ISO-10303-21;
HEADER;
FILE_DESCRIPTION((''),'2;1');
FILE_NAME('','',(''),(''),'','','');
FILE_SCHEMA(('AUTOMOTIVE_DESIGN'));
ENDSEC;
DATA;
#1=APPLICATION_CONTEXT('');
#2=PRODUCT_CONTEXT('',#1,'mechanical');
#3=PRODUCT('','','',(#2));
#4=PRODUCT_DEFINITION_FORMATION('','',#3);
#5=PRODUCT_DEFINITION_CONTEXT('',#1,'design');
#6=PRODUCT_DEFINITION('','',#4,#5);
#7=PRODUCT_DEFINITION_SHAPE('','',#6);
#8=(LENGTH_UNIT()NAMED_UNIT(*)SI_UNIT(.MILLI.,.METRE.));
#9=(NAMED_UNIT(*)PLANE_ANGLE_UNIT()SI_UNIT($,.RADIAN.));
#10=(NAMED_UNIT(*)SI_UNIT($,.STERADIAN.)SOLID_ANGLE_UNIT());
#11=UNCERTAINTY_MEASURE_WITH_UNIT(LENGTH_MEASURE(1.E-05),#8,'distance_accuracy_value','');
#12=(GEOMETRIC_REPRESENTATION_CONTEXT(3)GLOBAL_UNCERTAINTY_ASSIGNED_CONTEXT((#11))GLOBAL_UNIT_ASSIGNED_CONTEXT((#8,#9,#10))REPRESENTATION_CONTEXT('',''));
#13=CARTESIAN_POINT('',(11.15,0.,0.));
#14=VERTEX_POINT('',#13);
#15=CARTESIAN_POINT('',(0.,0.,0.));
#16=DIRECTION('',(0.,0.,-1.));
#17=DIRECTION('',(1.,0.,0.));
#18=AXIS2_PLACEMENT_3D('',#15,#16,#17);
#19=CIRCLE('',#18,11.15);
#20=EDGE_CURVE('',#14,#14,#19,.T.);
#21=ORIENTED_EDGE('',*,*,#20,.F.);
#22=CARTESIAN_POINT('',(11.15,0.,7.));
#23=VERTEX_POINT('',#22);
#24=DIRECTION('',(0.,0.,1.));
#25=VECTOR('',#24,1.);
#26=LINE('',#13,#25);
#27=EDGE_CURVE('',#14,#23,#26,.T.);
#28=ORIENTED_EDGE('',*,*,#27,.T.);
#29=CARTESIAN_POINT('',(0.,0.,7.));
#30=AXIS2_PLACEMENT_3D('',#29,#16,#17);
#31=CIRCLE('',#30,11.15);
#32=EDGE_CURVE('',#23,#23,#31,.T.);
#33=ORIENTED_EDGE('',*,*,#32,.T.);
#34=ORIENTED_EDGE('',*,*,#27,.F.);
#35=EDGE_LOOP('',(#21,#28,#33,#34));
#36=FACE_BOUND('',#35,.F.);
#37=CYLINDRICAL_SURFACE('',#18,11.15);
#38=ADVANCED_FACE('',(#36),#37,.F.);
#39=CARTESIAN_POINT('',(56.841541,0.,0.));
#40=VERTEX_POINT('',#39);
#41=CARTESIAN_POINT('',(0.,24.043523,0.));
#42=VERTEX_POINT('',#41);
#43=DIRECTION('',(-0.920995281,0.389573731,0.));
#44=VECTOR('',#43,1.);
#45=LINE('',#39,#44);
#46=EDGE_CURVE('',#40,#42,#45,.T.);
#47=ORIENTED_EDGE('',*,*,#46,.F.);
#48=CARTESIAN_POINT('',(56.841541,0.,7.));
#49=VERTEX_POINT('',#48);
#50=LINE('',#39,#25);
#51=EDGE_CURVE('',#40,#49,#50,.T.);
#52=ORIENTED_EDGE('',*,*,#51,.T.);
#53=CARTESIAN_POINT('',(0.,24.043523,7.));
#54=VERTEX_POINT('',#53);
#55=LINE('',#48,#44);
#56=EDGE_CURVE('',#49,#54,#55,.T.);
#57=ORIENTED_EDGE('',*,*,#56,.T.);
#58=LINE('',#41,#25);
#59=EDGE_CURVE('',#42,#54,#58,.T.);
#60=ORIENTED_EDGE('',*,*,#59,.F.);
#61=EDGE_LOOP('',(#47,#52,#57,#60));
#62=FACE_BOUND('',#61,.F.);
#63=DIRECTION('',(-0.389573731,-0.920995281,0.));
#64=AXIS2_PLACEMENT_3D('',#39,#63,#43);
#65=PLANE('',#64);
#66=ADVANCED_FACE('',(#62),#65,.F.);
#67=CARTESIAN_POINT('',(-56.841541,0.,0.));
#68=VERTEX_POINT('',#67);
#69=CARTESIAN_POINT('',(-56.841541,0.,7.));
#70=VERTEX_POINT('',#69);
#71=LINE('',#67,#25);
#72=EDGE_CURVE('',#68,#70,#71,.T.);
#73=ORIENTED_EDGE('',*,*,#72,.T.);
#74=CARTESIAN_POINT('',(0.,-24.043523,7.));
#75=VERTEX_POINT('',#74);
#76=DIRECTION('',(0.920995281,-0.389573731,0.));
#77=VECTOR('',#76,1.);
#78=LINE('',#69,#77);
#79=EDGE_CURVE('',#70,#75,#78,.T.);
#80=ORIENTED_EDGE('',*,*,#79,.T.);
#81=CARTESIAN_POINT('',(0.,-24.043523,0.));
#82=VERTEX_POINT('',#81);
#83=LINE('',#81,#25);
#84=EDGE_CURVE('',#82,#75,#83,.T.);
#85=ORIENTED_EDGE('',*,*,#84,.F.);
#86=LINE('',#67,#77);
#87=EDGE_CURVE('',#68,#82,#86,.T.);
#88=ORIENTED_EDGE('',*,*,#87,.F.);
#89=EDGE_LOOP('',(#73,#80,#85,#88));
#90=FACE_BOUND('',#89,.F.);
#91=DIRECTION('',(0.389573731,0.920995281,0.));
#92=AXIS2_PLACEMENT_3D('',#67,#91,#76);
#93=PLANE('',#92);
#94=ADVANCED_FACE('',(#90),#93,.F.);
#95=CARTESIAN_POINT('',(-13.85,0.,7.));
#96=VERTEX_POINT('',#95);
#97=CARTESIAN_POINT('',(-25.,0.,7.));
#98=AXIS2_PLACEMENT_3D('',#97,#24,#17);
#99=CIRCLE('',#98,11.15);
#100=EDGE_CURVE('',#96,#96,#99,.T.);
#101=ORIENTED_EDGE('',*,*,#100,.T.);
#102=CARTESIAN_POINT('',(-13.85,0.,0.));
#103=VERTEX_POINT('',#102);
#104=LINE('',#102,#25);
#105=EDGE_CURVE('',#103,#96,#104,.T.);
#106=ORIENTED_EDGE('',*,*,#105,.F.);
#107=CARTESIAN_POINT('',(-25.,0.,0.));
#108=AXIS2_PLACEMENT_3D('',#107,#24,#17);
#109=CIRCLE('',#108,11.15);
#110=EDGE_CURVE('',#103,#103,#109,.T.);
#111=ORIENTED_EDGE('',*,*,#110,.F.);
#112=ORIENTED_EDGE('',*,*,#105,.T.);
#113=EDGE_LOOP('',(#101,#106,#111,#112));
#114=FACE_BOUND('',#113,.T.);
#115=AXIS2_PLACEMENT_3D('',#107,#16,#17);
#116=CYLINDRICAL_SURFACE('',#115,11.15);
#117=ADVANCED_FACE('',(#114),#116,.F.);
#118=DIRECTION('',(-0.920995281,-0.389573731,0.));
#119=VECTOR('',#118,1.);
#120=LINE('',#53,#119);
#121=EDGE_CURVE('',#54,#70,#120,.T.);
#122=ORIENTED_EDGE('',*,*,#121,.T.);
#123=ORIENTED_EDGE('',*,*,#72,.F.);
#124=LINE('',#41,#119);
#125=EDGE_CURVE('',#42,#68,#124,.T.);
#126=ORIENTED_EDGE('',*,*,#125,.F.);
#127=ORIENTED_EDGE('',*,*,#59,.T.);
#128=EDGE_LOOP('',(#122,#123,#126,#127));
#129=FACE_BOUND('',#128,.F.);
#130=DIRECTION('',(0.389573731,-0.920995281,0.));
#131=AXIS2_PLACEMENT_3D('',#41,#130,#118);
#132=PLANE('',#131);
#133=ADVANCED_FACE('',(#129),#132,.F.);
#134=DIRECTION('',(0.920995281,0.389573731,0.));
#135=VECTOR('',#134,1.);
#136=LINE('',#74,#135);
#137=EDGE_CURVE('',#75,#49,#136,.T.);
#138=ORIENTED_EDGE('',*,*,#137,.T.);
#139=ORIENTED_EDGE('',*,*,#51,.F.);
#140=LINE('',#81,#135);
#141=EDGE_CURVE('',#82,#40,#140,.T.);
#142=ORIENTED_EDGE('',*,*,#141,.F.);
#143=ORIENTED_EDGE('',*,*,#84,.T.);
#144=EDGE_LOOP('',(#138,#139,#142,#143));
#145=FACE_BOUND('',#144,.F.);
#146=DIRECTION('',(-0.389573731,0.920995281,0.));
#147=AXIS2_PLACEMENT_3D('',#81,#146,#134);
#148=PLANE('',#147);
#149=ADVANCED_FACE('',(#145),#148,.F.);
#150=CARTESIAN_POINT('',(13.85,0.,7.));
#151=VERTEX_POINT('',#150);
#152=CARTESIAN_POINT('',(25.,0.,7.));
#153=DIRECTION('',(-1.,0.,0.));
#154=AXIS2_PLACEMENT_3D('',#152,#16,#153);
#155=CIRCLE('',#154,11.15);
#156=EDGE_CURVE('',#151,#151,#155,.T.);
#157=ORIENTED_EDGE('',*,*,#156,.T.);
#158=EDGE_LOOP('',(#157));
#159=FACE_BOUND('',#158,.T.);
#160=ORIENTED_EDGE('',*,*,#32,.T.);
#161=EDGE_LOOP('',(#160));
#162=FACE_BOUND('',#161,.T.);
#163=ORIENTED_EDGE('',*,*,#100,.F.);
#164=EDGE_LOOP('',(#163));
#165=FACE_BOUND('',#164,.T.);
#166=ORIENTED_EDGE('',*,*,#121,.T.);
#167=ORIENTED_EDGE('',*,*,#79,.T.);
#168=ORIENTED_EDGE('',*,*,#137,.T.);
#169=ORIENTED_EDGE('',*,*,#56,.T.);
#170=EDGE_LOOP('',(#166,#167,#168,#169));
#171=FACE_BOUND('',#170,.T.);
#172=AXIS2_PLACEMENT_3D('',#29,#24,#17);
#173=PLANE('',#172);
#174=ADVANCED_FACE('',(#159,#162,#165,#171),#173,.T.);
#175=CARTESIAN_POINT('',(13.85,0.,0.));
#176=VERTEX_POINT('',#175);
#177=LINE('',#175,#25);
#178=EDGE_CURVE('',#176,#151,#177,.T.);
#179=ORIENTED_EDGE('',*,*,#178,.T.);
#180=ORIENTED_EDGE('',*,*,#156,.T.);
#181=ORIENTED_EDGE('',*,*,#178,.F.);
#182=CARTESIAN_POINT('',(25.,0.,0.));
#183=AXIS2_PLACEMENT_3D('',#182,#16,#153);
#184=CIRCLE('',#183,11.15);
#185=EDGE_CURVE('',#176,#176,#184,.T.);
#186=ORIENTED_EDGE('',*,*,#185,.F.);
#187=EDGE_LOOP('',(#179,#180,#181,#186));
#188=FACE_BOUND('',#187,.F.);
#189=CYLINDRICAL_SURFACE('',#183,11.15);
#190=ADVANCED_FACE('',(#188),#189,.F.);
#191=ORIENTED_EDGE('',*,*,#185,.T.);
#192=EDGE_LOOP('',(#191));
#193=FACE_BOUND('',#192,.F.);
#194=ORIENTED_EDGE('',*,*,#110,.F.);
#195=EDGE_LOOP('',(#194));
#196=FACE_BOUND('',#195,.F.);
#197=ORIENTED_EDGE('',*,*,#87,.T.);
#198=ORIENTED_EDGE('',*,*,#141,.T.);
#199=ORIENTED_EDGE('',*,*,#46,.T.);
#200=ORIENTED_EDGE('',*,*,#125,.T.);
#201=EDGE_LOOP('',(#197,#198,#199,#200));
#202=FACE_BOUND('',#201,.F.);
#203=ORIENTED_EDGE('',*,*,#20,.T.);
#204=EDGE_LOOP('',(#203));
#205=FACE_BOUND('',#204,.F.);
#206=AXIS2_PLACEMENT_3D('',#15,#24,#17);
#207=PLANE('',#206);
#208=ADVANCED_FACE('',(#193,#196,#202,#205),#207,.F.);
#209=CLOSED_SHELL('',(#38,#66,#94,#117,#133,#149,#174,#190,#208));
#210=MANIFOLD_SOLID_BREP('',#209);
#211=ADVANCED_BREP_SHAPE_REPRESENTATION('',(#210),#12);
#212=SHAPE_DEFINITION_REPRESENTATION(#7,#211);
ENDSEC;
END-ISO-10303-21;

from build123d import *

# Parameters (mm, degrees)
F0_R     = 11.15
F1_DEPTH = 7


with BuildPart() as f1:
    # F0 (on Top) → F1 (new body)
    with BuildSketch(Plane.XY):
        Polygon((0, 24.043523), (-56.841541, 0), (0, -24.043523), (56.841541, 0), align=None)
        with Locations((-25, 0)):
            Circle(F0_R, mode=Mode.SUBTRACT)
        with BuildLine():
            ThreePointArc((-11.15, 0), (0, 11.15), (11.15, 0))
            ThreePointArc((11.15, 0), (0, -11.15), (-11.15, 0))
        make_face(mode=Mode.SUBTRACT)
        with BuildLine():
            ThreePointArc((36.15, 0), (25, -11.15), (13.85, 0))
            ThreePointArc((13.85, 0), (25, 11.15), (36.15, 0))
        make_face(mode=Mode.SUBTRACT)
    extrude(amount=F1_DEPTH)


solid = f1.part
